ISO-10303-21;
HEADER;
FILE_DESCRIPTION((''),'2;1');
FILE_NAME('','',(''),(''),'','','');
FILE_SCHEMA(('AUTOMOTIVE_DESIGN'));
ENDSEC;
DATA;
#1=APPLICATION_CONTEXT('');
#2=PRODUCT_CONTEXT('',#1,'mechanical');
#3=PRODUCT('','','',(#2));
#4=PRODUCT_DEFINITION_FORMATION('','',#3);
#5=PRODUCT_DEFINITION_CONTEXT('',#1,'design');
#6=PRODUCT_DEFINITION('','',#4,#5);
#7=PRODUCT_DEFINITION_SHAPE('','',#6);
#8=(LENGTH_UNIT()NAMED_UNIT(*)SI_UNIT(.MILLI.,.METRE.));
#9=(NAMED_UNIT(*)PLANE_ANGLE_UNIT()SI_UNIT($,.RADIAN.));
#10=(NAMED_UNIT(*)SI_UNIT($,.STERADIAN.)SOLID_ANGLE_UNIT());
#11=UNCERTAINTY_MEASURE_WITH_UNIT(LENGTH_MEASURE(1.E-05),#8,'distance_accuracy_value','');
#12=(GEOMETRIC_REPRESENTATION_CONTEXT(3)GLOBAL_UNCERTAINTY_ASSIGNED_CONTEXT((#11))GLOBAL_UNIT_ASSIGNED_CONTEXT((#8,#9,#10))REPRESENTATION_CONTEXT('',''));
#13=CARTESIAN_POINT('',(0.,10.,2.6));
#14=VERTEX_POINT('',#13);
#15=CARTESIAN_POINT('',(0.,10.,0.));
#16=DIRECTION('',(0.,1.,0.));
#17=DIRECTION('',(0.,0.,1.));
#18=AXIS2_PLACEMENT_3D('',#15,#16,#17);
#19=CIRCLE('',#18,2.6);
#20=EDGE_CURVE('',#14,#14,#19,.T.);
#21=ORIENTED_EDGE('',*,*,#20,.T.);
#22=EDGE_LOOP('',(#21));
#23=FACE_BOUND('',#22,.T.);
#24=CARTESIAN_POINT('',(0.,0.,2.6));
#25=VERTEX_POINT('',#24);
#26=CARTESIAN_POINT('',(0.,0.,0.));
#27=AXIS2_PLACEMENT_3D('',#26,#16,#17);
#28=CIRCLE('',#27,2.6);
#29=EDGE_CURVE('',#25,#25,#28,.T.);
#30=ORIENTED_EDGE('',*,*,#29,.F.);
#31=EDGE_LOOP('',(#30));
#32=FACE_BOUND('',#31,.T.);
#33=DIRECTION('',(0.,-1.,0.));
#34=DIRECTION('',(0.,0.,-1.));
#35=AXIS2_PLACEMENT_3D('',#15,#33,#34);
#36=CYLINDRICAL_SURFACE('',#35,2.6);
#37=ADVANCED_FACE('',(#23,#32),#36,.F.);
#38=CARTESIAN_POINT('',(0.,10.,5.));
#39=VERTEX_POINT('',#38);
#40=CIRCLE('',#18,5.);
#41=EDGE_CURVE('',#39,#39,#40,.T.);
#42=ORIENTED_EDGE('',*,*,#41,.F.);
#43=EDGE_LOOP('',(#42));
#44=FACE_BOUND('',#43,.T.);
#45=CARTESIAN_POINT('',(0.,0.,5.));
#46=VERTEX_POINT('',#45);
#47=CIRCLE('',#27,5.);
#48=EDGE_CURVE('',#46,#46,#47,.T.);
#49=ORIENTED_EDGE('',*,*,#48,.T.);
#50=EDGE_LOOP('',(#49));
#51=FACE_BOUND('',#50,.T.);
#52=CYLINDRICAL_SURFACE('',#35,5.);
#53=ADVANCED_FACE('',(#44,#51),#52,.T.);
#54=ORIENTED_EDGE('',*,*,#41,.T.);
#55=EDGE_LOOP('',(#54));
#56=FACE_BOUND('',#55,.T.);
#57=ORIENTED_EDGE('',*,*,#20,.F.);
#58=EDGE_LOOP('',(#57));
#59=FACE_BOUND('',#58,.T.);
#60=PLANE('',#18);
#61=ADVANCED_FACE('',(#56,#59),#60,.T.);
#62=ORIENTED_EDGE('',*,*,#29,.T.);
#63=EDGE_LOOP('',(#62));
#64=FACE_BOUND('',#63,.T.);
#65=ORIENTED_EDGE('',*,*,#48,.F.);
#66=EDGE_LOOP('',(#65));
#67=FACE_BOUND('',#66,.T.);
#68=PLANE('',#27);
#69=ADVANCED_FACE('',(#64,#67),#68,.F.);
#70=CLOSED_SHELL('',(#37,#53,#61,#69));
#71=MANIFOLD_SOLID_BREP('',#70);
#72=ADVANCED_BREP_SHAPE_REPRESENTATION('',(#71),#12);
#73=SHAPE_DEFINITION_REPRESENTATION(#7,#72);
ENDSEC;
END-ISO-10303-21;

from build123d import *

# Parameters (mm, degrees)
SKETCH1_R           = 5
SKETCH1_R_2         = 2.6
BOSS_EXTRUDE1_DEPTH = 10


with BuildPart() as part:
    # Sketch1 → Boss-Extrude1 (new body)
    with BuildSketch(Plane(origin=(0, 0, 0), x_dir=(1, 0, 0), z_dir=(0, 1, 0))):
        Circle(SKETCH1_R)
        Circle(SKETCH1_R_2, mode=Mode.SUBTRACT)
    extrude(amount=BOSS_EXTRUDE1_DEPTH)


solid = part.part
